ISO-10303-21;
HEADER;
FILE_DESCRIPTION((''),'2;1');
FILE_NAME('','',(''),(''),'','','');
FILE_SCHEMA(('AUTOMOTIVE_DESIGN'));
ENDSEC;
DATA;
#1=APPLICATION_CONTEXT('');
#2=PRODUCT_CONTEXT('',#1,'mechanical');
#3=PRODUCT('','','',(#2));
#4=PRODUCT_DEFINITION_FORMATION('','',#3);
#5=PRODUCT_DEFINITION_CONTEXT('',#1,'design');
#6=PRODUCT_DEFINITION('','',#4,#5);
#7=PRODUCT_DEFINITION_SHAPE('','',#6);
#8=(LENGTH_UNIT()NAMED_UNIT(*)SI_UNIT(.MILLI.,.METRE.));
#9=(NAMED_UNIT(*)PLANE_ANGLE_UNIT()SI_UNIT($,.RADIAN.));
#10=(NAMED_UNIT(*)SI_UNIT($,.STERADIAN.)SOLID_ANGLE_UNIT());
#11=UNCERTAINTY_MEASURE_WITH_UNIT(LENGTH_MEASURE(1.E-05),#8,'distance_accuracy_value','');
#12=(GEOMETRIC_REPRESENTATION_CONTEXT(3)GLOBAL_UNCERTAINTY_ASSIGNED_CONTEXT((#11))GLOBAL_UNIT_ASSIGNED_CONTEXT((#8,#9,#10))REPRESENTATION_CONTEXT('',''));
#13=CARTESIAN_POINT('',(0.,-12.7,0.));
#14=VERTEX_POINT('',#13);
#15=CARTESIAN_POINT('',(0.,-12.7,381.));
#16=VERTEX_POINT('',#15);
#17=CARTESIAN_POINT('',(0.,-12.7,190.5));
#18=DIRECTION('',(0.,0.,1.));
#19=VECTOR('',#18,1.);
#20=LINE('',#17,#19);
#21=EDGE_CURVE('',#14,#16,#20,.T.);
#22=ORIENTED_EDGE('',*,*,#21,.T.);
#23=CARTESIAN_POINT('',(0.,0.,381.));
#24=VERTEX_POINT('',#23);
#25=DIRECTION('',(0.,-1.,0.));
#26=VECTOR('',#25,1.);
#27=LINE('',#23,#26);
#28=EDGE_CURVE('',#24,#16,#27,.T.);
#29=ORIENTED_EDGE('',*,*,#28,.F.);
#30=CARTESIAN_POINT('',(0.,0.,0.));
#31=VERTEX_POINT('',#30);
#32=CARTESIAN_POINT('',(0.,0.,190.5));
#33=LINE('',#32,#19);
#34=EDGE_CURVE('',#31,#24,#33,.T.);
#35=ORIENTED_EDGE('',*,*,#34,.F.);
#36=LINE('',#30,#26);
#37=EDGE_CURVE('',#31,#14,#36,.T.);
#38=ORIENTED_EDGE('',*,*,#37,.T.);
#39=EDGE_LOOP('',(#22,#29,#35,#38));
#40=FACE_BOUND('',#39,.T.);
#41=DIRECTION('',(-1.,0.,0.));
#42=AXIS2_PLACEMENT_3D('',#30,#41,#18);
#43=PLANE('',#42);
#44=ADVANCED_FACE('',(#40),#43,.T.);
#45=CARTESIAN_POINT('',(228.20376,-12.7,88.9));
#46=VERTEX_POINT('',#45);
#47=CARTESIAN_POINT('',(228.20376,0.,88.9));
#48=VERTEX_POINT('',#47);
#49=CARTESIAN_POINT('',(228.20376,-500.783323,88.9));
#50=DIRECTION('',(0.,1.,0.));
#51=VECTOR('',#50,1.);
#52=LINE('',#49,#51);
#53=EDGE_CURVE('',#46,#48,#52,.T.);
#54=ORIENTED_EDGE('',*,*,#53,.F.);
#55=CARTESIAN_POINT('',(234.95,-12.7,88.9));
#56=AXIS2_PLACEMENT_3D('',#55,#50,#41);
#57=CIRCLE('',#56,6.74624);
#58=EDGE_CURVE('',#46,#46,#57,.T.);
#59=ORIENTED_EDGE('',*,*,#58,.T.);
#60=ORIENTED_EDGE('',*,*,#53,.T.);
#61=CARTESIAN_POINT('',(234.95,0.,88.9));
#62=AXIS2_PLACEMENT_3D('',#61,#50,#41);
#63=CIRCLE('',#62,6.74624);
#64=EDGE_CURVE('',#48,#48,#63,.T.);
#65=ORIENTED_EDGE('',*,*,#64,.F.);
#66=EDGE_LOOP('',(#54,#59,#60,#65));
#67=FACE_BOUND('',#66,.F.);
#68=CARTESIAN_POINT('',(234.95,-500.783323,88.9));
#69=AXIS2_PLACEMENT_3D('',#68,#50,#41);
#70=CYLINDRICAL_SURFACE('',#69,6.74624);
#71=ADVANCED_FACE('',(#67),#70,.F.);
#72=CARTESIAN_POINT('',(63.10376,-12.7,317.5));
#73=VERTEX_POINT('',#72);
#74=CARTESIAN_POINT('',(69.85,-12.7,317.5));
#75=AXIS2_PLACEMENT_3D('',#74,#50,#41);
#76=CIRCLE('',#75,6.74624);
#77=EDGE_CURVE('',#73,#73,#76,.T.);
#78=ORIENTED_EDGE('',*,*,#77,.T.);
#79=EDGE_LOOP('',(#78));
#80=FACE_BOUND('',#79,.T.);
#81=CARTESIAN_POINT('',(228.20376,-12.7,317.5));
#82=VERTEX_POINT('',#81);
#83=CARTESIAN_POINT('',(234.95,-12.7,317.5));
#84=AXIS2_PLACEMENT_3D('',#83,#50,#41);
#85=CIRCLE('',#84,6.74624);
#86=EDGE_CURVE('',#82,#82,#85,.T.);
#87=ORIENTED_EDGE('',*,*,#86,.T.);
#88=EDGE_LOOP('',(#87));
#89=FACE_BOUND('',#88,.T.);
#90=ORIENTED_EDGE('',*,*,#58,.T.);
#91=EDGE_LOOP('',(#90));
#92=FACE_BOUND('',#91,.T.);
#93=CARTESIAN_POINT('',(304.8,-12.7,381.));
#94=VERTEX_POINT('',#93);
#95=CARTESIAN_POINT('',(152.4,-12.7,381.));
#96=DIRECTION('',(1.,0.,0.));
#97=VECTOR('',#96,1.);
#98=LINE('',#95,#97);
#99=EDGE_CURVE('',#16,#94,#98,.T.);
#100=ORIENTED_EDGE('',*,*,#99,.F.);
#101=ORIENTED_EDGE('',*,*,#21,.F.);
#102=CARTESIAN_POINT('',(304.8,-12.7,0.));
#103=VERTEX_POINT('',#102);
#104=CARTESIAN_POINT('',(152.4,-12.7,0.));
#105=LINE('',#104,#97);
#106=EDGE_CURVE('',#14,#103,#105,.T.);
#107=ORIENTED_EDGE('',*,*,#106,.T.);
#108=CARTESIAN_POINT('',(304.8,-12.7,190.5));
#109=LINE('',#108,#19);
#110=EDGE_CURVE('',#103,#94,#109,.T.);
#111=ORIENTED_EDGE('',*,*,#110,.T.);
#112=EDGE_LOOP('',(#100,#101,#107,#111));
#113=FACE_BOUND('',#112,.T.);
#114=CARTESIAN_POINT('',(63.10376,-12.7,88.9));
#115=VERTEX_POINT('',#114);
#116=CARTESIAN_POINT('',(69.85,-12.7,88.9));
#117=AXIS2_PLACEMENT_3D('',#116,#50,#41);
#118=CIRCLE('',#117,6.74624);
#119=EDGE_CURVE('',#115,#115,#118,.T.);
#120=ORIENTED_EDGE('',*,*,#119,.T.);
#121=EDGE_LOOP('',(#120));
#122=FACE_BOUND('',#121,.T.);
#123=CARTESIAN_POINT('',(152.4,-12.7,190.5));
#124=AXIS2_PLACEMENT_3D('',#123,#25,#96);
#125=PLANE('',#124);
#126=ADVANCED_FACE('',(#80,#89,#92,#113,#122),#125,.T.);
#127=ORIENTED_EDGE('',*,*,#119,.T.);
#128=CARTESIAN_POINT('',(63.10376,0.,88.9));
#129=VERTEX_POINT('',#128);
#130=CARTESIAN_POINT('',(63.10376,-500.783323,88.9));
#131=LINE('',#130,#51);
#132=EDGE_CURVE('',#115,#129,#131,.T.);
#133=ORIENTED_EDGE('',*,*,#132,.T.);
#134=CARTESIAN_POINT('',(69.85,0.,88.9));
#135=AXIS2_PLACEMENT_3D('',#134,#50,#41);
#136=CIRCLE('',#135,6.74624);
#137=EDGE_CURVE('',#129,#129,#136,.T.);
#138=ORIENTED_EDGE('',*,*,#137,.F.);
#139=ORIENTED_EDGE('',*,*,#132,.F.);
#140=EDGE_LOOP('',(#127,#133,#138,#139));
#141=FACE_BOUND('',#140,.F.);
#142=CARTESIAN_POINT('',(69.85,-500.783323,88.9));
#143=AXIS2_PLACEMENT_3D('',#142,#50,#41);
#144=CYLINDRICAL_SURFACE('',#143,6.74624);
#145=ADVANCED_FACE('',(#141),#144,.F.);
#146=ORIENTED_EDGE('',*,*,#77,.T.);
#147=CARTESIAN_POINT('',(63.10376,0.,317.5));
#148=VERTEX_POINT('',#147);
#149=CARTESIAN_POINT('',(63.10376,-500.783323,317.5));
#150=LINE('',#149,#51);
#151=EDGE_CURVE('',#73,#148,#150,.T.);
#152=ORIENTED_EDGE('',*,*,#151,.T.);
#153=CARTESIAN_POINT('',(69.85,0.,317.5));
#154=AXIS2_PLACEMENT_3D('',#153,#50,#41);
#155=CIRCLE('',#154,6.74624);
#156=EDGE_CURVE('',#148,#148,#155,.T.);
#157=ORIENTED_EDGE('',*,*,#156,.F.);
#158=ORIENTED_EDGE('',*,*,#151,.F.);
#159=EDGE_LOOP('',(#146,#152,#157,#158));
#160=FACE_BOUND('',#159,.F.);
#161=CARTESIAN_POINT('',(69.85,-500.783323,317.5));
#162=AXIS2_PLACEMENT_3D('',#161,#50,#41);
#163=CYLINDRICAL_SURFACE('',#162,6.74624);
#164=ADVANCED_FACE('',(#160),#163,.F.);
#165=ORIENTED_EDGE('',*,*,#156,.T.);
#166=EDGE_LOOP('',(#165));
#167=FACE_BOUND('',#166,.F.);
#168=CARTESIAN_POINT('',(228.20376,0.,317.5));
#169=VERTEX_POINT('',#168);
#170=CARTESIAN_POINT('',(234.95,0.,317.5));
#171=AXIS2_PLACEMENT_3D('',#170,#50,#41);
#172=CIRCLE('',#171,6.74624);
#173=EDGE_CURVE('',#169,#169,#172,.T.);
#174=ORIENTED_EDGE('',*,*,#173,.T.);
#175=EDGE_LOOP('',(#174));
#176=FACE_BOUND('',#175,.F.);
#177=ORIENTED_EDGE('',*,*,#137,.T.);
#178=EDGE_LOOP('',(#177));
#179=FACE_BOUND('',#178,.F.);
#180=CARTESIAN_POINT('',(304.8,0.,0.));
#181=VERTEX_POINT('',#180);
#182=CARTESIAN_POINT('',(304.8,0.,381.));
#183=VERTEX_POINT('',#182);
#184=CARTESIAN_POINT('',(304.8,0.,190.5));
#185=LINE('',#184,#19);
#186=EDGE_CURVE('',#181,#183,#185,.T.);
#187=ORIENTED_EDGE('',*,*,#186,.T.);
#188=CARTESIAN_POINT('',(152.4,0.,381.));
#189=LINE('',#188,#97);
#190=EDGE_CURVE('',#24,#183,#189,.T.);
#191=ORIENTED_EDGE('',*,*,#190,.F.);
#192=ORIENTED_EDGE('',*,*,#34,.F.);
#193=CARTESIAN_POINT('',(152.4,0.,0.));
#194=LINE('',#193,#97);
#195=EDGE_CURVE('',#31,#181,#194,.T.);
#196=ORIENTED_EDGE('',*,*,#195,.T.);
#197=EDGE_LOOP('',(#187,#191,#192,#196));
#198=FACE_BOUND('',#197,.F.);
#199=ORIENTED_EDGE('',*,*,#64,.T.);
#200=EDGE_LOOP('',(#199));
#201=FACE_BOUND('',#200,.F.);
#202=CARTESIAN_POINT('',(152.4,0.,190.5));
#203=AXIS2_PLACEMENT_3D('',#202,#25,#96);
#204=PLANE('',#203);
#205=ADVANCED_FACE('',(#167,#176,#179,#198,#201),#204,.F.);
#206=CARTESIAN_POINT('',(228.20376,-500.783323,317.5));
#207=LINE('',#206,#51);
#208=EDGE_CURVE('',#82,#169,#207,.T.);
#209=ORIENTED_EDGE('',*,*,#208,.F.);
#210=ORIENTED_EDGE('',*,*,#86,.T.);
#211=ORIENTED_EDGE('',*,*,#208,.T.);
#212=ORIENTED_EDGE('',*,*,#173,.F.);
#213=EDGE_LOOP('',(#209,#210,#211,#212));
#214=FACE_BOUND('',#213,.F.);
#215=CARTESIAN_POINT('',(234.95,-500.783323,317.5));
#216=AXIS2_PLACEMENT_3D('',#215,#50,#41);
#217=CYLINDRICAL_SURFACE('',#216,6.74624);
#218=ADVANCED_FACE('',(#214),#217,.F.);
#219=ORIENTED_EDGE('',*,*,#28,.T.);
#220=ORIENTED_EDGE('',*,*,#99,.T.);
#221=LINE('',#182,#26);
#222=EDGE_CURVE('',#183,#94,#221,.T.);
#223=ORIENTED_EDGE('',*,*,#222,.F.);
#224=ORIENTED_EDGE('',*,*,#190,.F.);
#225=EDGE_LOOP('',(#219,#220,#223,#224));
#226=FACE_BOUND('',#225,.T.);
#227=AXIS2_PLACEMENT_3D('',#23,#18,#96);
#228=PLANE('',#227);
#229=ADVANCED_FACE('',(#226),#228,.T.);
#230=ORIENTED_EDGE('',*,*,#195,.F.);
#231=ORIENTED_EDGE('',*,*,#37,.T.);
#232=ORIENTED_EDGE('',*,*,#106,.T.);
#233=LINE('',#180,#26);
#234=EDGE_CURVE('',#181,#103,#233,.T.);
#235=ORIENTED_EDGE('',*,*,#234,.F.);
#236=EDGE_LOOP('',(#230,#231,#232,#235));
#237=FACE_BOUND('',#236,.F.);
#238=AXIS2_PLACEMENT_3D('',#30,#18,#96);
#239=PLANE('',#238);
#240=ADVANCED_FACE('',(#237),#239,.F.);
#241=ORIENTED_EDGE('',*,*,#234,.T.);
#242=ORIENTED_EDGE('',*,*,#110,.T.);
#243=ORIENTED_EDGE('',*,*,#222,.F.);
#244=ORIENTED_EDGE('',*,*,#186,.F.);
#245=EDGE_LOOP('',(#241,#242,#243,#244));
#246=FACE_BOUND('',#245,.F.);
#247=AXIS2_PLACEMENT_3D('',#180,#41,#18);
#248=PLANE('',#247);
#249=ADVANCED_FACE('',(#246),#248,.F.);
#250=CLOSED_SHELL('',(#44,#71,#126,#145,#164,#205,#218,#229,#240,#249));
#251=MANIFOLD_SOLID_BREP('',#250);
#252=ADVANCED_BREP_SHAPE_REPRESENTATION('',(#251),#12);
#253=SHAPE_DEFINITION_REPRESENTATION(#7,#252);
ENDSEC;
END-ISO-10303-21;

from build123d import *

# Parameters (mm, degrees)
F0_W     = 304.8
F0_H     = 381
F1_DEPTH = 12.7
F3_D     = 13.49248


with BuildPart() as f1:
    # F0 (on Front) → F1 (new body)
    with BuildSketch(Plane.XZ):
        with Locations((152.4, 190.5)):
            Rectangle(F0_W, F0_H)
    extrude(amount=F1_DEPTH)

    # F3 (through all)
    with Locations(Plane.XZ.offset(12.7)):
        with Locations((69.85, 317.5), (234.95, 317.5), (69.85, 88.9), (234.95, 88.9)):
            Hole(F3_D / 2)


solid = f1.part
